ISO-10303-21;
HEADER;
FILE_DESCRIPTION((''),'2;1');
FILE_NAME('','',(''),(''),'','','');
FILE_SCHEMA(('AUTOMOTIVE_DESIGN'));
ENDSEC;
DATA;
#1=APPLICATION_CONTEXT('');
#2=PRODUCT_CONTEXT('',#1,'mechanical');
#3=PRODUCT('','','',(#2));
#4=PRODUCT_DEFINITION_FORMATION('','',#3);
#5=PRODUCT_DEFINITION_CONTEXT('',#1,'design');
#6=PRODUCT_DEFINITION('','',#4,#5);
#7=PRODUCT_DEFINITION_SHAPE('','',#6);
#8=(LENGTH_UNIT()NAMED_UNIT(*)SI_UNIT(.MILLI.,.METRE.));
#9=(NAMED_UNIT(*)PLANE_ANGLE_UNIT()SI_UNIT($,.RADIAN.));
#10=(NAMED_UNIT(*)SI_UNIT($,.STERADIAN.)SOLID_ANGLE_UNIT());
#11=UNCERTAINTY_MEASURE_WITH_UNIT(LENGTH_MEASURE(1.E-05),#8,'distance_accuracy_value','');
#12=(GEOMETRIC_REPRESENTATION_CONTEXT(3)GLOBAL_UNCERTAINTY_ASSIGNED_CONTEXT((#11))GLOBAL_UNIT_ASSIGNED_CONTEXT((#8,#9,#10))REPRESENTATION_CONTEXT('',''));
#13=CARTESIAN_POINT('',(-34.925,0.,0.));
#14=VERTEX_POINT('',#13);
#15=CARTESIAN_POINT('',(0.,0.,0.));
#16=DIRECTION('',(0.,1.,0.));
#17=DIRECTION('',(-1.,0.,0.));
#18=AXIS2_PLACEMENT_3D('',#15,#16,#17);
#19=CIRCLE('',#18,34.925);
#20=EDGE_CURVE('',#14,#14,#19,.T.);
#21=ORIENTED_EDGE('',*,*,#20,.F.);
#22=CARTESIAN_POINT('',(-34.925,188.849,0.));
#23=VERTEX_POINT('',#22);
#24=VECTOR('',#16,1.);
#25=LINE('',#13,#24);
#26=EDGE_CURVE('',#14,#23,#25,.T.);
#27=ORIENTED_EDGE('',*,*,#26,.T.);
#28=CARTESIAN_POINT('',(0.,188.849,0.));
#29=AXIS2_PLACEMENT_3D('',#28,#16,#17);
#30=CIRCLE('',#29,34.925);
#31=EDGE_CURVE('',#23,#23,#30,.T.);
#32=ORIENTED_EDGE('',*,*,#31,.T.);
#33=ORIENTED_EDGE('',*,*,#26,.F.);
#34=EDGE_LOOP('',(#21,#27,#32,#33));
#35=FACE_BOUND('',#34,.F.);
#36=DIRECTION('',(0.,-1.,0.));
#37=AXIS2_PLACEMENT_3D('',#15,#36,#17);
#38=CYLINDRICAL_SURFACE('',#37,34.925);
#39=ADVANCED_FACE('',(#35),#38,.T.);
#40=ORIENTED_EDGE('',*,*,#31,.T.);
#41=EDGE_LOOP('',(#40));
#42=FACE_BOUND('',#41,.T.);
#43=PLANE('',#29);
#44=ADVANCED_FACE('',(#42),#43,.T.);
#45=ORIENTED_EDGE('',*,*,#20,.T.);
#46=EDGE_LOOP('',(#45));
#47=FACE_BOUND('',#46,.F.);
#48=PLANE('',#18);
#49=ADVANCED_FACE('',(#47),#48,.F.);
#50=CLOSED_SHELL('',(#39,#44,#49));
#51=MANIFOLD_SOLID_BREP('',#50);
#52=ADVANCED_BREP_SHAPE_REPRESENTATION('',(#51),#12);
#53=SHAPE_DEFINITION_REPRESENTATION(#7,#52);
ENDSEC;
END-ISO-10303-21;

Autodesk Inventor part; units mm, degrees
ref_plane "YZ Plane" through (0, 0, 0) normal (1, 0, 0) x (0, 1, 0)
ref_plane "XZ Plane" through (0, 0, 0) normal (0, 1, 0) x (-1, 0, 0)
ref_plane "XY Plane" through (0, 0, 0) normal (0, 0, 1) x (1, 0, 0)
sketch "Sketch1" plane through (0, 0, 0) normal (0, 1, 0) x (-1, 0, 0)
  circle A0 centre (0, 0) radius 34.925
  dimension "d0" = 69.85
extrude "Extrusion1" add sketch "Sketch1" along normal blind 188.849
properties part number "intakeroller" material "Rubber"
